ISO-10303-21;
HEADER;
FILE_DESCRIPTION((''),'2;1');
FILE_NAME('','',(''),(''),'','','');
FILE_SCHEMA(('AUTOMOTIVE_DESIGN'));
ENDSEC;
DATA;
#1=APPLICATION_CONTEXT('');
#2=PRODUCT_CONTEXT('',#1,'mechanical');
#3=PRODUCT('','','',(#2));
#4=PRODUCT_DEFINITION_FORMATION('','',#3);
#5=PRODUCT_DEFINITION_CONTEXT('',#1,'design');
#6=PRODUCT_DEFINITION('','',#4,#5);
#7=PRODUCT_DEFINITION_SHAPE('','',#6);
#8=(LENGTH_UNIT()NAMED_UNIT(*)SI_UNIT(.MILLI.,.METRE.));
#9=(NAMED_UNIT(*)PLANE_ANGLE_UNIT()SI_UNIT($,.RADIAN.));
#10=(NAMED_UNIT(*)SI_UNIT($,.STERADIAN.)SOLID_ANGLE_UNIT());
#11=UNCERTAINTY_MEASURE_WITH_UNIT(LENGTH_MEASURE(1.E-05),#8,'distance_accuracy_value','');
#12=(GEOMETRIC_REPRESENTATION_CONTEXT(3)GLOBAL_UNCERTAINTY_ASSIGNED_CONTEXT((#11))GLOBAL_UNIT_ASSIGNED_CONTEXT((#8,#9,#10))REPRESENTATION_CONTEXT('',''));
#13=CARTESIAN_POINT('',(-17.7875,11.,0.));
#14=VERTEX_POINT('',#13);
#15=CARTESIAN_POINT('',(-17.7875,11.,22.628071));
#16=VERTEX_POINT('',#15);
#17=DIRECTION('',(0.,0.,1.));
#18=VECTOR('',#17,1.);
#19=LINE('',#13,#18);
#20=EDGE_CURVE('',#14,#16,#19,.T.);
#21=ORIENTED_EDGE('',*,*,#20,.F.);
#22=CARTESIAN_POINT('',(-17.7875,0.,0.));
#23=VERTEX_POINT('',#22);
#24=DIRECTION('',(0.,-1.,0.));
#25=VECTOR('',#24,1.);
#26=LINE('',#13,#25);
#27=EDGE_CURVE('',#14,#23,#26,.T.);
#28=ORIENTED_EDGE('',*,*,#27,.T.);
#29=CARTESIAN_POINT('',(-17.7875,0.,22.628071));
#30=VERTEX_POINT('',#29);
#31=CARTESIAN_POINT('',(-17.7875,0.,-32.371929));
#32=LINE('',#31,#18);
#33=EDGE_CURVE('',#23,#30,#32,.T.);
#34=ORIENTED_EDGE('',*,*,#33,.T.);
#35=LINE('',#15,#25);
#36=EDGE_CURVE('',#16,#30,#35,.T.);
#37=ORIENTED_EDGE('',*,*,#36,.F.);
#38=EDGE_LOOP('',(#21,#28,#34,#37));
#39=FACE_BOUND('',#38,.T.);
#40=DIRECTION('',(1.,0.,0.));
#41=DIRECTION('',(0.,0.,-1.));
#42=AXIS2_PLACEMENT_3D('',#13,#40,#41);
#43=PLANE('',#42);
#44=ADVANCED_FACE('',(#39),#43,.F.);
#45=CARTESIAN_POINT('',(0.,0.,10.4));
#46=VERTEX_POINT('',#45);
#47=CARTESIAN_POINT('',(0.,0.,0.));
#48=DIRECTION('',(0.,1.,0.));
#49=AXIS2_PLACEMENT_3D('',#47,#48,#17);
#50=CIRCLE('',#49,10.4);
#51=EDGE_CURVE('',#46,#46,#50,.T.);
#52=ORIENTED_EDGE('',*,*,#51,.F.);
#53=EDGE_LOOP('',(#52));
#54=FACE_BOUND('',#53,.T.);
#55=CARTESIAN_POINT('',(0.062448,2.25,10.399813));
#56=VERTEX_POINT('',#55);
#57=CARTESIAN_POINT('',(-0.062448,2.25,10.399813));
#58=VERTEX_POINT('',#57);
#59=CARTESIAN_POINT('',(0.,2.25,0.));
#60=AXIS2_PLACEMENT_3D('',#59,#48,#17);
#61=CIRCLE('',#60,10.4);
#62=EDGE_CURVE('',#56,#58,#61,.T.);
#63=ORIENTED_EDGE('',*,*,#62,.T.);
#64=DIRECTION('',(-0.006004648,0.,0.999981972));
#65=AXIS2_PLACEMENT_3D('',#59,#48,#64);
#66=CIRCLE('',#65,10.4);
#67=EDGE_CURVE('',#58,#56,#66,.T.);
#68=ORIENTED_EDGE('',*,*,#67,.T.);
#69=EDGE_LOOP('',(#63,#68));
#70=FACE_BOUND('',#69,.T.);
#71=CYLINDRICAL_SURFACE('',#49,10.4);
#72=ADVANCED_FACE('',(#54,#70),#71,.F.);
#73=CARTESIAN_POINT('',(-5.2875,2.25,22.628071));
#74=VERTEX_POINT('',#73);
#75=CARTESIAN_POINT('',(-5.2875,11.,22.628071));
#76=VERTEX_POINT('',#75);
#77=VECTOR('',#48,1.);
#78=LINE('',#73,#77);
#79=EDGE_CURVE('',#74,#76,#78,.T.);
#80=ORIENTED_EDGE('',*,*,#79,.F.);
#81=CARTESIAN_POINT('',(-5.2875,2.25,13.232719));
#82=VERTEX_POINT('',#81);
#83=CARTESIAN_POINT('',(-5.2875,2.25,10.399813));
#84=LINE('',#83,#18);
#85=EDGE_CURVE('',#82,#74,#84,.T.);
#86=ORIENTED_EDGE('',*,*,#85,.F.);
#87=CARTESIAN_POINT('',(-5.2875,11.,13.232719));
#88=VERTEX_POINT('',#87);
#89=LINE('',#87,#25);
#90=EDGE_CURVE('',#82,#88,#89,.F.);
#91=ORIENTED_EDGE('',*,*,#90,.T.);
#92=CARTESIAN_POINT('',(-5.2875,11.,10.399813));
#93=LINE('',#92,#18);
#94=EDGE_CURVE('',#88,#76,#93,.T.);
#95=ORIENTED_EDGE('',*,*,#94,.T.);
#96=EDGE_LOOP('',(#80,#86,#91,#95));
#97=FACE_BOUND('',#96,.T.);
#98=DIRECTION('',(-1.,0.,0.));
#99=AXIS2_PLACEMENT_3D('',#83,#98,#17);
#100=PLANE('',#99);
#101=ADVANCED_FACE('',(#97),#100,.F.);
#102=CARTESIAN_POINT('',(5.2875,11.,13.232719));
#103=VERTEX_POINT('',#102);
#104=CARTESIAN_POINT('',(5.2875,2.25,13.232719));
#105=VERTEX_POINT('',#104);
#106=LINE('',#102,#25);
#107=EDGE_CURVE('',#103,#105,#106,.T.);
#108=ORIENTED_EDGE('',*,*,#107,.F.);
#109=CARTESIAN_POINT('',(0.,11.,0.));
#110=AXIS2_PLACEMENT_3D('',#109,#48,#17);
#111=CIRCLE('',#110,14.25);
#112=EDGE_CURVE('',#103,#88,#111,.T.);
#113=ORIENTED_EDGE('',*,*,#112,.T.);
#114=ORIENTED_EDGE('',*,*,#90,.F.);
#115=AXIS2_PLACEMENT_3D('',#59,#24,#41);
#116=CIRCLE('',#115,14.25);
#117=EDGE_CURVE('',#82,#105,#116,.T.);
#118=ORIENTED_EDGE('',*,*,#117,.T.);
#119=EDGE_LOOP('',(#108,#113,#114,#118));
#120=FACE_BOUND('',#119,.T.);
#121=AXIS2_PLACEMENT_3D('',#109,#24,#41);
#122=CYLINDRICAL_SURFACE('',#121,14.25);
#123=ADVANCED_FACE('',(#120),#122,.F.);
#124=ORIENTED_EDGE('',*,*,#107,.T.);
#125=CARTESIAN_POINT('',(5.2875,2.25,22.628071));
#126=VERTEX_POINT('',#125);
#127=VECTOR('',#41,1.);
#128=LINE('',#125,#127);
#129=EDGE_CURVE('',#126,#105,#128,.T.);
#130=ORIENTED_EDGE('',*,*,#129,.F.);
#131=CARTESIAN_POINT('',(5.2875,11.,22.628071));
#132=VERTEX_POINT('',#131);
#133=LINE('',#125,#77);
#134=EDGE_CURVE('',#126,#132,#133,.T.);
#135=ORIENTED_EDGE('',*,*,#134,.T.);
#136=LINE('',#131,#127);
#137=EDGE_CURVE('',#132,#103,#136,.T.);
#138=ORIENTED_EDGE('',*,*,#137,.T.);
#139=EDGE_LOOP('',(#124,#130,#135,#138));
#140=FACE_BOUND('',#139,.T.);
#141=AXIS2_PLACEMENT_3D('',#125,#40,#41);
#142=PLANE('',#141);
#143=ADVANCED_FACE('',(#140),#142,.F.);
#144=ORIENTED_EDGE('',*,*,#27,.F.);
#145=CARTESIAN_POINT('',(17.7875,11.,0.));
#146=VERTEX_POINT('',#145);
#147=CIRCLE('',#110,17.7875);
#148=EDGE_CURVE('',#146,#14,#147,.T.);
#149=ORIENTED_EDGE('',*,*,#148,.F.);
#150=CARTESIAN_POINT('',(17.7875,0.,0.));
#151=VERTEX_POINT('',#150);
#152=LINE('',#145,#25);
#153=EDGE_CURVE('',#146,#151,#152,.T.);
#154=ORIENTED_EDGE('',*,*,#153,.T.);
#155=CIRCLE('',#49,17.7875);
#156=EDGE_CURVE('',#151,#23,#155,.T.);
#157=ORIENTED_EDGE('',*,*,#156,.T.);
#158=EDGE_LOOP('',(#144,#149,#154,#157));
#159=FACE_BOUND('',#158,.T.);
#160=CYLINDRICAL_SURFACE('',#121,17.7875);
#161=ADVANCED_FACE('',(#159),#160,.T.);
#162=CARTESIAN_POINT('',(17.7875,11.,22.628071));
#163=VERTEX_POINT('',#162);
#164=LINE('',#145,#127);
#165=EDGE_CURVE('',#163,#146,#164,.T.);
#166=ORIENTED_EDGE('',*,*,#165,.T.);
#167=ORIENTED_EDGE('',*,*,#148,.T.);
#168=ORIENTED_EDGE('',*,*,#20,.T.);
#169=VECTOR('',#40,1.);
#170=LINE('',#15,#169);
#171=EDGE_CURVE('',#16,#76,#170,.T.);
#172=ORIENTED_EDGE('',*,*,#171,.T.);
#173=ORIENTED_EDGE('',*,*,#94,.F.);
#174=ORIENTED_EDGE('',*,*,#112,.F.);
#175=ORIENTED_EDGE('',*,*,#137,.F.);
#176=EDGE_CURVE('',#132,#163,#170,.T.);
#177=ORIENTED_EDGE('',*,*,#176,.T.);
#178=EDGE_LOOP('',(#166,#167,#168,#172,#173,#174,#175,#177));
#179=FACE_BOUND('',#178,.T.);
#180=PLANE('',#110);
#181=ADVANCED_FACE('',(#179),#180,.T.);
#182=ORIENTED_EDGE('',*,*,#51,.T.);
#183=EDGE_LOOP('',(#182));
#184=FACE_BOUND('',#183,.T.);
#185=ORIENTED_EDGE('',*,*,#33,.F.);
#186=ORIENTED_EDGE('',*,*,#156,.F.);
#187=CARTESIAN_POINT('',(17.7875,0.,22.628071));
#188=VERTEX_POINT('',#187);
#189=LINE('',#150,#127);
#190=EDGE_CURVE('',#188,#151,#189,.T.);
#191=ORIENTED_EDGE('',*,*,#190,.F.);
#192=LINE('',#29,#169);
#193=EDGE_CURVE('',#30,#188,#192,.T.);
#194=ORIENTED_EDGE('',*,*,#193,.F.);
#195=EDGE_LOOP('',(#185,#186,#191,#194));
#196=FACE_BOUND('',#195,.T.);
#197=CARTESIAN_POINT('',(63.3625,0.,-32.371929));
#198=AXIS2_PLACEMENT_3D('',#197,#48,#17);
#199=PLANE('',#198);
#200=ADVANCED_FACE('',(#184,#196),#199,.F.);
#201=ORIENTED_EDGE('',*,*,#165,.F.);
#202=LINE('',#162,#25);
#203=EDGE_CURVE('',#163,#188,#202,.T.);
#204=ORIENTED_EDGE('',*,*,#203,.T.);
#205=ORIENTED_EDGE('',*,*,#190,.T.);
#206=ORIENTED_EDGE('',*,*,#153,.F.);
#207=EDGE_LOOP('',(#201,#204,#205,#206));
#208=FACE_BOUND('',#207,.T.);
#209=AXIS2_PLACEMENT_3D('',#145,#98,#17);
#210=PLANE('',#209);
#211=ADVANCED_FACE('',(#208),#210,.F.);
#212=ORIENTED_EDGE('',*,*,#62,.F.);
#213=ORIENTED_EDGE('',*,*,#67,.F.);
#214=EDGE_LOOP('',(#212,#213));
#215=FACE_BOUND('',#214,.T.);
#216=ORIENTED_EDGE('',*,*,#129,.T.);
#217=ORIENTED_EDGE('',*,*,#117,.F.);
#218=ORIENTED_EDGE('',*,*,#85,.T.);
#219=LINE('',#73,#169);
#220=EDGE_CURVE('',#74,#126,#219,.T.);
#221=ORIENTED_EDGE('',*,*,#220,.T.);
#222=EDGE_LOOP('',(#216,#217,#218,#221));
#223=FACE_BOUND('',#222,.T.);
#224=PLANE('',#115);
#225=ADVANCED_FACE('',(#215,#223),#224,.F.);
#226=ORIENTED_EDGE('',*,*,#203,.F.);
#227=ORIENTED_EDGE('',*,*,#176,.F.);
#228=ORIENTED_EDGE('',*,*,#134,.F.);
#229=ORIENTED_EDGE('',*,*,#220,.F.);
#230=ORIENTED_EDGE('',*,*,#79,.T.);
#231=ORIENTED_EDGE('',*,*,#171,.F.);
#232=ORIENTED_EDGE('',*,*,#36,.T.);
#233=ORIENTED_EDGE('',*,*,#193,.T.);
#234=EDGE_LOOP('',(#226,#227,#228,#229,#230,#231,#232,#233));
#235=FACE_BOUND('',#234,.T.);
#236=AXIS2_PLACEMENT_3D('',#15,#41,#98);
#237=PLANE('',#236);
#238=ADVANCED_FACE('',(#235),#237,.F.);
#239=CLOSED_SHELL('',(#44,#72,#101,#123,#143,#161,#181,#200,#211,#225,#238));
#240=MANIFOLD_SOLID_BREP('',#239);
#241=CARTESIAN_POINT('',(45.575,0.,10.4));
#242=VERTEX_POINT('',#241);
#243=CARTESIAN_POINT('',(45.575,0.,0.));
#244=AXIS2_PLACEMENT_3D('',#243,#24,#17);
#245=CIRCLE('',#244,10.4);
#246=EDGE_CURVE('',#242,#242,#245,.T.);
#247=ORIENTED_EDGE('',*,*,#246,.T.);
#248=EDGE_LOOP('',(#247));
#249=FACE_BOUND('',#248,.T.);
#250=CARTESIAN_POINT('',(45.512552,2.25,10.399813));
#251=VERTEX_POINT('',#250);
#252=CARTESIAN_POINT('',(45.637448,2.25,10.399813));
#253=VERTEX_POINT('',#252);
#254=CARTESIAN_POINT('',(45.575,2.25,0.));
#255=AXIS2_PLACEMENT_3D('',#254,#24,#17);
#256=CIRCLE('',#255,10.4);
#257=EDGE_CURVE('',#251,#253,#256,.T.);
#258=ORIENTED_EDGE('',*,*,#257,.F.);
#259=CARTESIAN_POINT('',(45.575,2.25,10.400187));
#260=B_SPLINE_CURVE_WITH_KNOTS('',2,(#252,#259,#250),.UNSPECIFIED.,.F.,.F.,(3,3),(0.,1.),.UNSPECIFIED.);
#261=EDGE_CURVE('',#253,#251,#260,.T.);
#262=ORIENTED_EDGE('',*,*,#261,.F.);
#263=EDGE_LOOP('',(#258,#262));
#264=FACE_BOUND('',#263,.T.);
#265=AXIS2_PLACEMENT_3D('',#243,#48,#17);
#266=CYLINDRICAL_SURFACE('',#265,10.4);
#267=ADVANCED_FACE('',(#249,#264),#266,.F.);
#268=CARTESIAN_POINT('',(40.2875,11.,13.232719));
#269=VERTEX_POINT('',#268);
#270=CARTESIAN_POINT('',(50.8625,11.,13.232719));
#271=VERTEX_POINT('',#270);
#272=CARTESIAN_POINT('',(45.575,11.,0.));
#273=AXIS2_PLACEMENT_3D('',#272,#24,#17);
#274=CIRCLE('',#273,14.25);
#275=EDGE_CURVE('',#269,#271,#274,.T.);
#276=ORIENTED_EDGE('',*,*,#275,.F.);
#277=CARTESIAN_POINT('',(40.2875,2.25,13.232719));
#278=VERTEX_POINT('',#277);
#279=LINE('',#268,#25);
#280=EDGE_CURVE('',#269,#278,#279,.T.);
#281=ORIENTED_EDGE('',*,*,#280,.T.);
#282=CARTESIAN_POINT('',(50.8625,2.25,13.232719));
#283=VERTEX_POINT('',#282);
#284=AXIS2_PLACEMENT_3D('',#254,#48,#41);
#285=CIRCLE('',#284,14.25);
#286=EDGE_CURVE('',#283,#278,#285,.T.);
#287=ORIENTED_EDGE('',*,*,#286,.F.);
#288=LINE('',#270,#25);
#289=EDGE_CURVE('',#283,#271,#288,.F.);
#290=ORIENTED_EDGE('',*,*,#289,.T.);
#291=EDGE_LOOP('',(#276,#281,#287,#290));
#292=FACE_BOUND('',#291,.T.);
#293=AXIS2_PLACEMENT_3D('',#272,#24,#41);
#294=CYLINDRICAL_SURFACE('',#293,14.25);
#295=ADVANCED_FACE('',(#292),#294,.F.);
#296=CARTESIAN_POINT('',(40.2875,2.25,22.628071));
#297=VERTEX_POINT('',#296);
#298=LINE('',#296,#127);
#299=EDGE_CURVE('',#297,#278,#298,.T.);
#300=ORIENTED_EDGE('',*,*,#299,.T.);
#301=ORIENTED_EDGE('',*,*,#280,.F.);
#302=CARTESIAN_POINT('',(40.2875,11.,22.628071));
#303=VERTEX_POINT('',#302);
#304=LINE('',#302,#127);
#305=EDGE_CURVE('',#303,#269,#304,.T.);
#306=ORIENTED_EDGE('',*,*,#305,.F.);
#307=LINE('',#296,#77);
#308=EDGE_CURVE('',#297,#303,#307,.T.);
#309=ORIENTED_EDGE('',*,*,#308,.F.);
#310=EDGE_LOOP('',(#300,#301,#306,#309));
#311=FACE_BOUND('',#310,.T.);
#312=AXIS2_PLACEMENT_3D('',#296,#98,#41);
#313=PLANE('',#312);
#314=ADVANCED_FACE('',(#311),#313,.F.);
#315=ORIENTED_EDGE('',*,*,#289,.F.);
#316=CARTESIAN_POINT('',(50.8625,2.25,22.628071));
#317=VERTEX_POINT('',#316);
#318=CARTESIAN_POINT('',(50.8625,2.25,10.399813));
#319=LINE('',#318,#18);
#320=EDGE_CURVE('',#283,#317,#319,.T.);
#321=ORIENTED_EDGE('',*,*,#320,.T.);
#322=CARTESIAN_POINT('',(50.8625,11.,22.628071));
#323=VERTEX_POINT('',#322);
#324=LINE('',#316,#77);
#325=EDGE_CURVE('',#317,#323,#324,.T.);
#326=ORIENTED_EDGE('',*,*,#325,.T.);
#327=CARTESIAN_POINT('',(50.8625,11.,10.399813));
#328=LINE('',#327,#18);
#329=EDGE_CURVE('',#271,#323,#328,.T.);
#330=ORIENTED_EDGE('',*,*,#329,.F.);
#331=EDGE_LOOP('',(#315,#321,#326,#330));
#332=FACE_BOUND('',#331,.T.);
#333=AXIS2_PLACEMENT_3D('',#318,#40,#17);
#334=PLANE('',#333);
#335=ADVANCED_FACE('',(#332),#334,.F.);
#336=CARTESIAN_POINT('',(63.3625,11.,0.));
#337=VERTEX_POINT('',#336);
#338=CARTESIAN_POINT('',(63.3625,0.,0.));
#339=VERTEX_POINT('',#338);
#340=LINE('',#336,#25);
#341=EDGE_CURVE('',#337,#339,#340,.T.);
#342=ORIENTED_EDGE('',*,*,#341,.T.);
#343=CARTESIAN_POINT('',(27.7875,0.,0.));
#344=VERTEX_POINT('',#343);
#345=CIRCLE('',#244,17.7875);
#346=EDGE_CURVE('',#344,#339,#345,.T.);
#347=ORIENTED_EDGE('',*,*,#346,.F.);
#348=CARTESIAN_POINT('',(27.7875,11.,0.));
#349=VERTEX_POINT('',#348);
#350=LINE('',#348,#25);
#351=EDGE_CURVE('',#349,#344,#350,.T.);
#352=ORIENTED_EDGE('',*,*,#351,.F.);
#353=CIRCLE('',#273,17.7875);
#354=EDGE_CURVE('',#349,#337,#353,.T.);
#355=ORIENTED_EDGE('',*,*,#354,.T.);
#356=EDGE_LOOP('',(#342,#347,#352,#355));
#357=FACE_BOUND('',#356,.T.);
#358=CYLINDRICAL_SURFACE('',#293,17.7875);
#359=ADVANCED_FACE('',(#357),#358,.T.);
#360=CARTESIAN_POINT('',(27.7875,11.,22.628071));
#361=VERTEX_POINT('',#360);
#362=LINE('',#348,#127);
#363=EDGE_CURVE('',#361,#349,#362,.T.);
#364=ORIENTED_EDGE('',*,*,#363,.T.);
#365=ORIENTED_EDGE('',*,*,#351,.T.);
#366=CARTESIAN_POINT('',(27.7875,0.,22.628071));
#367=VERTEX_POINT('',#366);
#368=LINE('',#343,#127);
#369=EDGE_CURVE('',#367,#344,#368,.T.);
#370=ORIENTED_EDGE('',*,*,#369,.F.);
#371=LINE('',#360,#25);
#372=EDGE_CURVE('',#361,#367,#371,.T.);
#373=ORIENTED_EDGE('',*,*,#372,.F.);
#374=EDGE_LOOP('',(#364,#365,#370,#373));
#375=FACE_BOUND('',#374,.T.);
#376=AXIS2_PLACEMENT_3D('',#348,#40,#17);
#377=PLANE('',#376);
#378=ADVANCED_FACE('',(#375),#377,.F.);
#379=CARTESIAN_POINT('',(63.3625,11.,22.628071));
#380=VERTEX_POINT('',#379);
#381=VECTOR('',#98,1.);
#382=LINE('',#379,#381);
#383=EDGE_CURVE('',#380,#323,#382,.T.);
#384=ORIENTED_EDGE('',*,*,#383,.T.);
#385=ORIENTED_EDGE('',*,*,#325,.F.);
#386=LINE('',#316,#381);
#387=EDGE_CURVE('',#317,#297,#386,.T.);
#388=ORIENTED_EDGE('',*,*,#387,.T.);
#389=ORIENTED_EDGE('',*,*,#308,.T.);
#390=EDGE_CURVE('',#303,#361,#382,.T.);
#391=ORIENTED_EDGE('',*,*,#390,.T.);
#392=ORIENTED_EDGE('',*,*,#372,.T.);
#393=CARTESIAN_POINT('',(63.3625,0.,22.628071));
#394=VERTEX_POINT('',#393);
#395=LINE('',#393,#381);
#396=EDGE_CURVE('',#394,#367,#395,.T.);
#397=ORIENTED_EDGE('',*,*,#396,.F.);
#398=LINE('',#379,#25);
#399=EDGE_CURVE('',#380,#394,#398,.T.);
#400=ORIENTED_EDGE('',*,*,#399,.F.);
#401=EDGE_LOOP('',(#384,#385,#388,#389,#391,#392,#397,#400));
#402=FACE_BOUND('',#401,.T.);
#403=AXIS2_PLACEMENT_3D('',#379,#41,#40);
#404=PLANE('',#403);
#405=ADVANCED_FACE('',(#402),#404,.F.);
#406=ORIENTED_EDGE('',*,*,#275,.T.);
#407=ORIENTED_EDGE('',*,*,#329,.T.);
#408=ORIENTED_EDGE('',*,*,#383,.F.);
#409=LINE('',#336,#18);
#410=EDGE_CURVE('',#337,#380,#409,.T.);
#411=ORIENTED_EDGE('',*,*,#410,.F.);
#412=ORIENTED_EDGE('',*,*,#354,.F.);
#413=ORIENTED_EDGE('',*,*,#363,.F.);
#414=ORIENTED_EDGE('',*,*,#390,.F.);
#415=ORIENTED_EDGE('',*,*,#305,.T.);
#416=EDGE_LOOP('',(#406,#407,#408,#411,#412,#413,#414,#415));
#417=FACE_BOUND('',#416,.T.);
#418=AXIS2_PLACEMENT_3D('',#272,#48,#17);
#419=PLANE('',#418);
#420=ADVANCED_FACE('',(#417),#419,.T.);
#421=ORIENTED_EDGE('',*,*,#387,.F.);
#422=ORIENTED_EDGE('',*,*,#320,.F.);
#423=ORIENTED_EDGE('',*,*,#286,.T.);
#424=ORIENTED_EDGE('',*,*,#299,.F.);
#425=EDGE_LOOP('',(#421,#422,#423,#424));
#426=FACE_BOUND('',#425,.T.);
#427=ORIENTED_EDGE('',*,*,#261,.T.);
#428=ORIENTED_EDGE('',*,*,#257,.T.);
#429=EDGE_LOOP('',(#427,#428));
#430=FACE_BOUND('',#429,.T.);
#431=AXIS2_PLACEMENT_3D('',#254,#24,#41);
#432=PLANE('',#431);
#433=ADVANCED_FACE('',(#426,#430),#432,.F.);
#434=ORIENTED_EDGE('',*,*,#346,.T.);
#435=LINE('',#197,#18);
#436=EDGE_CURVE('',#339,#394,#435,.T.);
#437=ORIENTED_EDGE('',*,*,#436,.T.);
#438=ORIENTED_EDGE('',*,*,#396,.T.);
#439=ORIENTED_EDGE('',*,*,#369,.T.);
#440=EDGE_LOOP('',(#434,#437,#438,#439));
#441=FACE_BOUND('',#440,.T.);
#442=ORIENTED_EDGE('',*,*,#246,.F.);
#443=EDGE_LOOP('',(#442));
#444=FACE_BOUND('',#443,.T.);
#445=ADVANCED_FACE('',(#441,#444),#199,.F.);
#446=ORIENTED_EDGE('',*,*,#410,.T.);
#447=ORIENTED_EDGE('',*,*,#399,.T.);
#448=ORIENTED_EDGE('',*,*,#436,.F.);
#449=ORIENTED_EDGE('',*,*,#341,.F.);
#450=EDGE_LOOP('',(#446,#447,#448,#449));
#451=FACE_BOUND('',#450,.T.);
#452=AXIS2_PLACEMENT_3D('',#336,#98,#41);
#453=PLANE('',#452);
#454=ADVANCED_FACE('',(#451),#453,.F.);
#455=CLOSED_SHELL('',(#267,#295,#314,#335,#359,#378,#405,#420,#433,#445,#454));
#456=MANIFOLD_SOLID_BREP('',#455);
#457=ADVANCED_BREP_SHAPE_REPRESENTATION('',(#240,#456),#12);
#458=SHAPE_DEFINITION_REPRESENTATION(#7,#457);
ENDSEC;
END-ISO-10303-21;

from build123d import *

# Parameters (mm, degrees)
SKETCH1_R                = 14.25
BOSS_EXTRUDE1_DEPTH      = 11
SKETCH4_R                = 14.25
BOSS_EXTRUDE2_DEPTH      = 2.25
SKETCH5_R                = 10.4
CUT_EXTRUDE1_DEPTH       = 2.25
SKETCH3_W                = 10.575
SKETCH3_H                = 12.228258218
CUT_EXTRUDE5_DEPTH       = 8.75
BOSS_EXTRUDE3_DEPTH      = 5
BOSS_EXTRUDE3_DEPTH_BACK = 45
SKETCH7_W                = 40.575
SKETCH7_H                = 1.5
SKETCH8_W                = 81.15
SKETCH8_H                = 1.5
CUT_EXTRUDE6_DEPTH       = 60


with BuildPart() as part:
    # Sketch1 → Boss-Extrude1 (new body)
    with BuildSketch(Plane(origin=(0, 0, 0), x_dir=(1, 0, 0), z_dir=(0, 1, 0))):
        with BuildLine():
            Line((-17.7875, -22.628070726), (17.7875, -22.628070726))
            Line((17.7875, -22.628070726), (17.7875, 0))
            ThreePointArc((17.7875, 0), (0, 17.7875), (-17.7875, 0))
            Line((-17.7875, 0), (-17.7875, -22.628070726))
        make_face()
        with Locations(Location((0, 0, 0), (0, 0, 270))):
            Circle(SKETCH1_R, mode=Mode.SUBTRACT)
    extrude(amount=BOSS_EXTRUDE1_DEPTH)

    # Sketch4 → Boss-Extrude2 (add)
    with BuildSketch(Plane.XZ):
        with Locations(Location((0, 0, 0), (0, 0, 270))):
            Circle(SKETCH4_R)
    extrude(amount=-BOSS_EXTRUDE2_DEPTH)

    # Sketch5 → Cut-Extrude1 (cut)
    with BuildSketch(Plane(origin=(0, 2.25, 0), x_dir=(1, 0, 0), z_dir=(0, 1, 0))):
        with Locations(Location((0, 0, 0), (0, 0, 270))):
            Circle(SKETCH5_R)
    extrude(amount=-CUT_EXTRUDE1_DEPTH, mode=Mode.SUBTRACT)

    # Sketch3 → Cut-Extrude5 (cut)
    with BuildSketch(Plane(origin=(0, 11, 0), x_dir=(1, 0, 0), z_dir=(0, 1, 0))):
        with Locations((0, -16.513941617)):
            Rectangle(SKETCH3_W, SKETCH3_H)
    extrude(amount=-CUT_EXTRUDE5_DEPTH, mode=Mode.SUBTRACT)

    # Sketch7 → Boss-Extrude3 (add, two sides: drawn at the far end of the back side and taken through both)
    with BuildSketch(Plane.XY.offset(22.628070726).offset(-BOSS_EXTRUDE3_DEPTH_BACK)):
        with Locations((2.5, -0.75)):
            Rectangle(SKETCH7_W, SKETCH7_H)
    extrude(amount=BOSS_EXTRUDE3_DEPTH + BOSS_EXTRUDE3_DEPTH_BACK)

    # Mirror5: part across plane


with BuildPart() as part_1:
    add(part.part)
    add(part.part.mirror(Plane(origin=(22.7875, 0, 0), x_dir=(0, 0, 1), z_dir=(1, 0, 0))))

    # Sketch8 → Cut-Extrude6 (cut)
    with BuildSketch(Plane.XY.offset(27.628070726)):
        with Locations((22.7875, -0.75)):
            Rectangle(SKETCH8_W, SKETCH8_H)
    extrude(amount=-CUT_EXTRUDE6_DEPTH, mode=Mode.SUBTRACT)


with BuildPart() as cut_extrude6_piece_1:
    # of the separate pieces the step leaves, piece 1, a body of its own (cut_extrude6_pieces)
    add(part_1.part.solids().sort_by_distance((27.7875, 0, 0))[0])


with BuildPart() as cut_extrude6_piece_2:
    # of the separate pieces the step leaves, piece 2, a body of its own (cut_extrude6_pieces)
    add(part_1.part.solids().sort_by_distance((-17.7875, 0, 22.628070726))[0])


solid = Compound([cut_extrude6_piece_1.part, cut_extrude6_piece_2.part])
